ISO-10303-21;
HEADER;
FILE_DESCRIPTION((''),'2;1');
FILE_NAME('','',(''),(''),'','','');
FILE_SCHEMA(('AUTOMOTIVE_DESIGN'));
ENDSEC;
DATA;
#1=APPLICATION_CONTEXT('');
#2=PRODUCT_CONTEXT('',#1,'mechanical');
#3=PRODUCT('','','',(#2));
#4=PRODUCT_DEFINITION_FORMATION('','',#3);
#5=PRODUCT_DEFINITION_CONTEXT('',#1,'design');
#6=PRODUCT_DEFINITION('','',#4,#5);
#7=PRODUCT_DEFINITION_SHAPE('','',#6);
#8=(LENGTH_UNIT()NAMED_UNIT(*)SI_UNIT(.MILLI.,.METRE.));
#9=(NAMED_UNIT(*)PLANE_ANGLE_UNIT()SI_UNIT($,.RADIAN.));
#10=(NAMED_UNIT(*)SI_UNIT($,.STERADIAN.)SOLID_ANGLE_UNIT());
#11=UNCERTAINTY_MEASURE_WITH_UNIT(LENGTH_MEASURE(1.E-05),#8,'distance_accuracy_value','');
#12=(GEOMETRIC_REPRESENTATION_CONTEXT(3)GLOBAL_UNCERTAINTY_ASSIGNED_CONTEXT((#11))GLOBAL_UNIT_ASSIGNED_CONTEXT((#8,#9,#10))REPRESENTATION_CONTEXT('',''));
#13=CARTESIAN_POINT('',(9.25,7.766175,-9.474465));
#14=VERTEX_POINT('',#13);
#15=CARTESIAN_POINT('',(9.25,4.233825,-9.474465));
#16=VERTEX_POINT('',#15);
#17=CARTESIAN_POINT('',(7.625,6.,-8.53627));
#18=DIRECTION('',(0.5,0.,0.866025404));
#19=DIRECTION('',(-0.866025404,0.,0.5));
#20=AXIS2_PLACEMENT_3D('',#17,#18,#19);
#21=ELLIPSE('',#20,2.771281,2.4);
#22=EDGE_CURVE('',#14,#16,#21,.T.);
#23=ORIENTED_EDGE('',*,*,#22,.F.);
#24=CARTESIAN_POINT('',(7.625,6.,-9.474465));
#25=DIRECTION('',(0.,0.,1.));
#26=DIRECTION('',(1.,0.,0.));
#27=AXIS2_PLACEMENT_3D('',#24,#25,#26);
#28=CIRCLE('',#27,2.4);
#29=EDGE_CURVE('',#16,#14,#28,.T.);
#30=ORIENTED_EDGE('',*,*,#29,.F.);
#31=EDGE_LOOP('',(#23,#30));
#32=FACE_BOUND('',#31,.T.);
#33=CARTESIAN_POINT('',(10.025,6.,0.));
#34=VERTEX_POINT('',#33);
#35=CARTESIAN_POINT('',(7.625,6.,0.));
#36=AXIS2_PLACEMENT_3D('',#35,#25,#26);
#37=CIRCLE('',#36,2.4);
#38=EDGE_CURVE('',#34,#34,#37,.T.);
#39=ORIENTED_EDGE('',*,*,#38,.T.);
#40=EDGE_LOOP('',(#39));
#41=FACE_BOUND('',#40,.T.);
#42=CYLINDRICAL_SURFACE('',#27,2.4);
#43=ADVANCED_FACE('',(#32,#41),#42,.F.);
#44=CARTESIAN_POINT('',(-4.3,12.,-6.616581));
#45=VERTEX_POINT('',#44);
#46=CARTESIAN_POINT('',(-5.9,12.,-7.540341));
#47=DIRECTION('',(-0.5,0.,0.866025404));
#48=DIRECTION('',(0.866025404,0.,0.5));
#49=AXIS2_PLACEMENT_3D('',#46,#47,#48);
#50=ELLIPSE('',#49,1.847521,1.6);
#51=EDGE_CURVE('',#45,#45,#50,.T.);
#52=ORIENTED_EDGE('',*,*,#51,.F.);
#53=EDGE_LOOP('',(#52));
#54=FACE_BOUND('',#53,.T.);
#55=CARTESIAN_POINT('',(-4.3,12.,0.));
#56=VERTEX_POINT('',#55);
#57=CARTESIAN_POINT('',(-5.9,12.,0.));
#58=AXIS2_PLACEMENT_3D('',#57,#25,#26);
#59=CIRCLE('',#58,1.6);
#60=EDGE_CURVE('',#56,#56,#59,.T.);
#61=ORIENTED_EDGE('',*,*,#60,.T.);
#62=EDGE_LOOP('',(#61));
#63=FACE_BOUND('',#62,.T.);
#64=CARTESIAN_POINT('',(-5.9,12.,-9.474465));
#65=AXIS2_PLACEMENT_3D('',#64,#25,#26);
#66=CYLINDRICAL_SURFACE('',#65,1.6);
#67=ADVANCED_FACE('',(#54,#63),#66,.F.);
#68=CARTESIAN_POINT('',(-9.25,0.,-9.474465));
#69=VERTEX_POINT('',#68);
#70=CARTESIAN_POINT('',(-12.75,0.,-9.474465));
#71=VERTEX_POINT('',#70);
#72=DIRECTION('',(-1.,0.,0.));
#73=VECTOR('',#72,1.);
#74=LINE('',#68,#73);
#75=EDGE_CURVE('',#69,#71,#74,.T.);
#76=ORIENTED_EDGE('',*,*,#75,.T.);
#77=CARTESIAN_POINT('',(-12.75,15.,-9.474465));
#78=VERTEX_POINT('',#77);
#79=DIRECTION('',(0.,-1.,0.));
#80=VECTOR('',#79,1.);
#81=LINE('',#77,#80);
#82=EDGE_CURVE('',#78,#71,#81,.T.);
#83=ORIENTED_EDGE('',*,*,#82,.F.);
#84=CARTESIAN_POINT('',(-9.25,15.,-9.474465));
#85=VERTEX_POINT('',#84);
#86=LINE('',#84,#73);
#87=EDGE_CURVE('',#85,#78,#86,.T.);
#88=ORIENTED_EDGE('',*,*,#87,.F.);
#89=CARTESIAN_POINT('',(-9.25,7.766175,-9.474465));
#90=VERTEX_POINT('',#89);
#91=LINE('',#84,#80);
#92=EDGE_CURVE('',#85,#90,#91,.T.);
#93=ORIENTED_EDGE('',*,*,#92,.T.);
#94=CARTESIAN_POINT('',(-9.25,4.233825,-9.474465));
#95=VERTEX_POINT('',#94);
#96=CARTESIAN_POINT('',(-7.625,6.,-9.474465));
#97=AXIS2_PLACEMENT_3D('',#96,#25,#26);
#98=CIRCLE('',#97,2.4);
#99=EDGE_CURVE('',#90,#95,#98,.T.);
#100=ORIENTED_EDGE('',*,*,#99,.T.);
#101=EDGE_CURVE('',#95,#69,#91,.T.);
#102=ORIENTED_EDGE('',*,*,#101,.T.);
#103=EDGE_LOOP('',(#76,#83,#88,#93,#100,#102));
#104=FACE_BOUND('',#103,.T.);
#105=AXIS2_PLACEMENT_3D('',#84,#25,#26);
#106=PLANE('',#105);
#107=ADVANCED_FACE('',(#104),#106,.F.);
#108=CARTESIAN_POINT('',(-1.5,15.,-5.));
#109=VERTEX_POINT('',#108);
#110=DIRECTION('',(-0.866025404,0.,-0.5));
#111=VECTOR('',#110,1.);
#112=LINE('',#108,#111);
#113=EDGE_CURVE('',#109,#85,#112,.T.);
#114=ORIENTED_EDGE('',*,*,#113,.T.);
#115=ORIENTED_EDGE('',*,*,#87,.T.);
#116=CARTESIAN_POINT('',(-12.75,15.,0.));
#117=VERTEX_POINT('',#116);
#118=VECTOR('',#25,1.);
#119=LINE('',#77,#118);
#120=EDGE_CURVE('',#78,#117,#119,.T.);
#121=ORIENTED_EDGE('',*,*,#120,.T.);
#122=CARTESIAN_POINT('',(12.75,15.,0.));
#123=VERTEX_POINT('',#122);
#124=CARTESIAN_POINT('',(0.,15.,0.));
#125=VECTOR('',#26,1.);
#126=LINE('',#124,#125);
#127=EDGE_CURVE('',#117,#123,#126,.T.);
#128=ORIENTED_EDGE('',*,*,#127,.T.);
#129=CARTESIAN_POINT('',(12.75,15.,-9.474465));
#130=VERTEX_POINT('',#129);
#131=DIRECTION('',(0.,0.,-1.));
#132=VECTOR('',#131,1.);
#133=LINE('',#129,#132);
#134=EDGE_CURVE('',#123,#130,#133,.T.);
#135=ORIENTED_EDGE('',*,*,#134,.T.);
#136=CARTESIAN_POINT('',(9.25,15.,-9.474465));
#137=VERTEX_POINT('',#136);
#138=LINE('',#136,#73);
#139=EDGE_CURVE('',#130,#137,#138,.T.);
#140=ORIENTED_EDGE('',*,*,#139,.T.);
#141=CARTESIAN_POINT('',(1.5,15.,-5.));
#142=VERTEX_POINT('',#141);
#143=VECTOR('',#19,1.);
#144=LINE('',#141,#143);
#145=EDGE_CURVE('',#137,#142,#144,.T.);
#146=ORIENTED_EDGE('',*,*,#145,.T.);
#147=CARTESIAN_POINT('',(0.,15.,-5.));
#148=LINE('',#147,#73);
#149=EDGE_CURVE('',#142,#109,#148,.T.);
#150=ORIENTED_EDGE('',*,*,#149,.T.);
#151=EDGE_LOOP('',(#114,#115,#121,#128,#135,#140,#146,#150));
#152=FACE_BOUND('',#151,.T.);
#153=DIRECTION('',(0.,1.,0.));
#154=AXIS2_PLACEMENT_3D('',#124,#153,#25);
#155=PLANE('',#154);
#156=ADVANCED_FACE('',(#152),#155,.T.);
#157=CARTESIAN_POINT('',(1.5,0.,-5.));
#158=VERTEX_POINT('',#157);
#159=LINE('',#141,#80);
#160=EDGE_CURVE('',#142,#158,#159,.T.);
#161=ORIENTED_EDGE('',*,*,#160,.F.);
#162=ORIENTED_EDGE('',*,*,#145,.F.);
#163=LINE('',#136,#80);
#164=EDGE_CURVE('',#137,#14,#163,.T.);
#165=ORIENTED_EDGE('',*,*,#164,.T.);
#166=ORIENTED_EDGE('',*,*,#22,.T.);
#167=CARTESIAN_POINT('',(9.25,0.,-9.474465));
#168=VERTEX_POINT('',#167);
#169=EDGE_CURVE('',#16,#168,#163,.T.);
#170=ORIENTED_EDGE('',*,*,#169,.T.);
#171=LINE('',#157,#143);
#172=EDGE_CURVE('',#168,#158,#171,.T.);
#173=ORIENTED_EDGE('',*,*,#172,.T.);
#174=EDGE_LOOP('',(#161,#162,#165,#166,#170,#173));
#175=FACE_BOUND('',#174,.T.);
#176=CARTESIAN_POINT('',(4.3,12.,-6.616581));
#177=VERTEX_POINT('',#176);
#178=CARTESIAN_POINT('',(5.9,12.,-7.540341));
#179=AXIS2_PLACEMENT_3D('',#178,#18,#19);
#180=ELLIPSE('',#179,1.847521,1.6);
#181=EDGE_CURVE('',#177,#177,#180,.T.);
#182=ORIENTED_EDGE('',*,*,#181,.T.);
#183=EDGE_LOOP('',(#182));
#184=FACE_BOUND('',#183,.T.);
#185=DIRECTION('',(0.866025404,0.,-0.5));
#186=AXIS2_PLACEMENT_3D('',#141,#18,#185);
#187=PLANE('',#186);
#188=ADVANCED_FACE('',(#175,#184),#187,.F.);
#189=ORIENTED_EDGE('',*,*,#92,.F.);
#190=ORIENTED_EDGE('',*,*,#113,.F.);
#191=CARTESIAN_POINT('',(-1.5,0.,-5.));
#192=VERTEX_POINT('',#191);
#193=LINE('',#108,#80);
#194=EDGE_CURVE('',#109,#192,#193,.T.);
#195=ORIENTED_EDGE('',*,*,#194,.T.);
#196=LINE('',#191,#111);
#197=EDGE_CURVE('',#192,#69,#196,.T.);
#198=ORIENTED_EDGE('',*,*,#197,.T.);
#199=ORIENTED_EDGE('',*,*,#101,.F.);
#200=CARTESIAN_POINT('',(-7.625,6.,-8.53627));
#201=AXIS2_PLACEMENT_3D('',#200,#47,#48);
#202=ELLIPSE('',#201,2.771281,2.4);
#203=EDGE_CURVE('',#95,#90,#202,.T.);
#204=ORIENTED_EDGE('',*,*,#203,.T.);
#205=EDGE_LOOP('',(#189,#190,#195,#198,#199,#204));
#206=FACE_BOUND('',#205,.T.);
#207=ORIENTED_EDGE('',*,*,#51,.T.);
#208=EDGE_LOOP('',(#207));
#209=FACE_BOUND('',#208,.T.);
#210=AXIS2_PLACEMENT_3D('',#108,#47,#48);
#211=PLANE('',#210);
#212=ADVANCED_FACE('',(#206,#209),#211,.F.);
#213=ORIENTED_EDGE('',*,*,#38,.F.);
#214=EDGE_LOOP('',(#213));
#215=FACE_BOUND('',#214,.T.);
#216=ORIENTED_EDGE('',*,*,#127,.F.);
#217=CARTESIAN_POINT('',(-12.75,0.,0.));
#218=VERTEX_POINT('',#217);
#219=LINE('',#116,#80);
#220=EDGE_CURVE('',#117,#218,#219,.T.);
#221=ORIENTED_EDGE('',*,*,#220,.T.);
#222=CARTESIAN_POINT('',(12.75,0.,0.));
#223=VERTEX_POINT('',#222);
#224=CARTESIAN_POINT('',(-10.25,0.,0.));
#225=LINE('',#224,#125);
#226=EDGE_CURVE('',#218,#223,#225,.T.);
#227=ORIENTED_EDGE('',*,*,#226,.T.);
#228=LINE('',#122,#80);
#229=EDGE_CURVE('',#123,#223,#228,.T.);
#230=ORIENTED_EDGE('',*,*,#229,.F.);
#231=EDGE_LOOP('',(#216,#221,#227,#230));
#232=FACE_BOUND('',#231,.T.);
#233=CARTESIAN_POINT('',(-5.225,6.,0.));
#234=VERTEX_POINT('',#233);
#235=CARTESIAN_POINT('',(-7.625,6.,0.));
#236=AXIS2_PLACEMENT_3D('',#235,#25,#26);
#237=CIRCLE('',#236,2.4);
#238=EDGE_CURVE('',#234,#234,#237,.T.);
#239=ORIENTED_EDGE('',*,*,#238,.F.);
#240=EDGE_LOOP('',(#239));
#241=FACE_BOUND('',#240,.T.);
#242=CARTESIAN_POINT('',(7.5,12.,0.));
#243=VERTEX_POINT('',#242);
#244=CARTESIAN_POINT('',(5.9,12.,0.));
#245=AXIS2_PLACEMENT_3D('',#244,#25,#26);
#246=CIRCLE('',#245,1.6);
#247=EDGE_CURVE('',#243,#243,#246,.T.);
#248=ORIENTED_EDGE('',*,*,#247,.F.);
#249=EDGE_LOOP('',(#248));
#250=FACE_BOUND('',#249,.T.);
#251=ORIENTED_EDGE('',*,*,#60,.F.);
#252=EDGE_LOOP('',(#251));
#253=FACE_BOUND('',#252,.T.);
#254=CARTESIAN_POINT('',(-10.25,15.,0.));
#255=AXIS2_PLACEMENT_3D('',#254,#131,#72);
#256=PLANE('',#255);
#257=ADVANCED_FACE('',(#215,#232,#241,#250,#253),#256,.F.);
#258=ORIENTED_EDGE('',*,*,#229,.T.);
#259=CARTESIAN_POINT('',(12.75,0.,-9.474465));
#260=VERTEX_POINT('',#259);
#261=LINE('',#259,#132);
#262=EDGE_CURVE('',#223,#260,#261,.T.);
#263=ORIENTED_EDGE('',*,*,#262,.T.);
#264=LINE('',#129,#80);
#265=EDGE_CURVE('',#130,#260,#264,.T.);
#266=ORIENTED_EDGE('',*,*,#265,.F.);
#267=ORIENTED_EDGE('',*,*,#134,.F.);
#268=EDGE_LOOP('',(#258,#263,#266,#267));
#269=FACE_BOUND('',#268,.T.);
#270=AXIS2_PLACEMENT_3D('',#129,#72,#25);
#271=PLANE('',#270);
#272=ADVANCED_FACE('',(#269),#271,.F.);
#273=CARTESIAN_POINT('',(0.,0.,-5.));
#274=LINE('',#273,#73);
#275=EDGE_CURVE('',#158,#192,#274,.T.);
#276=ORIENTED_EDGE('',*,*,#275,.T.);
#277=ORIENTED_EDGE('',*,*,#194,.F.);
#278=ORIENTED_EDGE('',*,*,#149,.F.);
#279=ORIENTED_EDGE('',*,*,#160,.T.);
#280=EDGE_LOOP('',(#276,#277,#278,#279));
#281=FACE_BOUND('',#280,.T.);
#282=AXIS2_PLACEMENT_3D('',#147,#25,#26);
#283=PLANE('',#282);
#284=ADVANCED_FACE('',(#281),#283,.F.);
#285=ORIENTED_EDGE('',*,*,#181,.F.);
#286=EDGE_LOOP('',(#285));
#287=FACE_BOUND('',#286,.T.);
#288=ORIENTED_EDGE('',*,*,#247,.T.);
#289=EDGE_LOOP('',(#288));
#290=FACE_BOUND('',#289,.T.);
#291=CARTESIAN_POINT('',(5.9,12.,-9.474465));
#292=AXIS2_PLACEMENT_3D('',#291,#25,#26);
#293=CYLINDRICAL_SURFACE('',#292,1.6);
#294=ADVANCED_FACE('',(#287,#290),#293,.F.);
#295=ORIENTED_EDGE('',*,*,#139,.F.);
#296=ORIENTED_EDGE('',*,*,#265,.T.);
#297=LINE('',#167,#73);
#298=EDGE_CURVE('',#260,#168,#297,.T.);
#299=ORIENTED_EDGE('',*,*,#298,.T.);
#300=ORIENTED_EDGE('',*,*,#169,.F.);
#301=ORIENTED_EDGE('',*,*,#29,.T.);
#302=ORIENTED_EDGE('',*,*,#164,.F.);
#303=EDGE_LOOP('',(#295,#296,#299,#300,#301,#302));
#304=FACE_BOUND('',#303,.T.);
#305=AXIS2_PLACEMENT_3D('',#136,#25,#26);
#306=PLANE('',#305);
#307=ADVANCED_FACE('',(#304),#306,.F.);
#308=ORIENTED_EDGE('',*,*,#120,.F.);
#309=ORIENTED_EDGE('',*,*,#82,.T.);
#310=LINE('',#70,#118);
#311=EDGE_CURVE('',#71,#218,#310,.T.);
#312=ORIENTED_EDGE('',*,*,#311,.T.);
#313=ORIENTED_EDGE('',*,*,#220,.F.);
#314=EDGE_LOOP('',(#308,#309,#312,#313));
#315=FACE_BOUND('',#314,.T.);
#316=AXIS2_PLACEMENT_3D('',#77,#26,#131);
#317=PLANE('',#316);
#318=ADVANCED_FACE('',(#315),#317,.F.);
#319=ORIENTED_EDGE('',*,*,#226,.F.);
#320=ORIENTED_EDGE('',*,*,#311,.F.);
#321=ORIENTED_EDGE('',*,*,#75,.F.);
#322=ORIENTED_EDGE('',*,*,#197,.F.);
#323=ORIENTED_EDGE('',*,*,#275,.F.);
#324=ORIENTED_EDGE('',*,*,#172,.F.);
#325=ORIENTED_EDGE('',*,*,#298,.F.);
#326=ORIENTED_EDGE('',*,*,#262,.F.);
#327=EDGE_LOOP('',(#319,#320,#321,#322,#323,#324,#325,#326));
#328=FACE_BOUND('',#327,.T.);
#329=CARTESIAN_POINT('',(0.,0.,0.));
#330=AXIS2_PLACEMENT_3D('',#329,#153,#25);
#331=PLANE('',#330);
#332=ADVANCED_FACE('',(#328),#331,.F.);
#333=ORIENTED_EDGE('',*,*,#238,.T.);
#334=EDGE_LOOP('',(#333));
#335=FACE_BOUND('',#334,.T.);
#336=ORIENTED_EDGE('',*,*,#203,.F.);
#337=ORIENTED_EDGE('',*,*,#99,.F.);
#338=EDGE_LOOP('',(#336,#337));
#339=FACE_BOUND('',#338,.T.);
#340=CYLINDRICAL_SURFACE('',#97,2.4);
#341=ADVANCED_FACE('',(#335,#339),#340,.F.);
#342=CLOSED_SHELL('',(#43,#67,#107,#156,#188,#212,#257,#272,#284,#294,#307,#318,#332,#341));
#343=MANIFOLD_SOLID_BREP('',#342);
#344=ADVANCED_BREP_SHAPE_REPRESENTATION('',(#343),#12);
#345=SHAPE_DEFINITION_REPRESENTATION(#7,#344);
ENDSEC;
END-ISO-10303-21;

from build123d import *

# Parameters (mm, degrees)
BOSS_EXTRUDE1_DEPTH = 15
SKETCH2_R           = 1.6
SKETCH2_R_2         = 2.4
CUT_EXTRUDE1_DEPTH  = 22.847836945


with BuildPart() as part:
    # Sketch1 → Boss-Extrude1 (new body)
    with BuildSketch(Plane(origin=(0, 0, 0), x_dir=(1, 0, 0), z_dir=(0, 1, 0))):
        Polygon((0, 0), (10.25, 0), (12.75, 0), (12.75, 9.474464586), (9.25, 9.474464586), (1.5, 5), (0, 5), (-1.5, 5), (-9.25, 9.474464586), (-12.75, 9.474464586), (-12.75, 0), (-10.25, 0), align=None)
    extrude(amount=BOSS_EXTRUDE1_DEPTH)

    # Sketch2 → Cut-Extrude1 (cut, through all)
    with BuildSketch(Plane.XY):
        with Locations((-5.9, 12)):
            Circle(SKETCH2_R)
        with Locations((5.9, 12)):
            Circle(SKETCH2_R)
        with Locations((-7.625, 6)):
            Circle(SKETCH2_R_2)
        with Locations((7.625, 6)):
            Circle(SKETCH2_R_2)
    extrude(amount=-CUT_EXTRUDE1_DEPTH, mode=Mode.SUBTRACT)


solid = part.part
